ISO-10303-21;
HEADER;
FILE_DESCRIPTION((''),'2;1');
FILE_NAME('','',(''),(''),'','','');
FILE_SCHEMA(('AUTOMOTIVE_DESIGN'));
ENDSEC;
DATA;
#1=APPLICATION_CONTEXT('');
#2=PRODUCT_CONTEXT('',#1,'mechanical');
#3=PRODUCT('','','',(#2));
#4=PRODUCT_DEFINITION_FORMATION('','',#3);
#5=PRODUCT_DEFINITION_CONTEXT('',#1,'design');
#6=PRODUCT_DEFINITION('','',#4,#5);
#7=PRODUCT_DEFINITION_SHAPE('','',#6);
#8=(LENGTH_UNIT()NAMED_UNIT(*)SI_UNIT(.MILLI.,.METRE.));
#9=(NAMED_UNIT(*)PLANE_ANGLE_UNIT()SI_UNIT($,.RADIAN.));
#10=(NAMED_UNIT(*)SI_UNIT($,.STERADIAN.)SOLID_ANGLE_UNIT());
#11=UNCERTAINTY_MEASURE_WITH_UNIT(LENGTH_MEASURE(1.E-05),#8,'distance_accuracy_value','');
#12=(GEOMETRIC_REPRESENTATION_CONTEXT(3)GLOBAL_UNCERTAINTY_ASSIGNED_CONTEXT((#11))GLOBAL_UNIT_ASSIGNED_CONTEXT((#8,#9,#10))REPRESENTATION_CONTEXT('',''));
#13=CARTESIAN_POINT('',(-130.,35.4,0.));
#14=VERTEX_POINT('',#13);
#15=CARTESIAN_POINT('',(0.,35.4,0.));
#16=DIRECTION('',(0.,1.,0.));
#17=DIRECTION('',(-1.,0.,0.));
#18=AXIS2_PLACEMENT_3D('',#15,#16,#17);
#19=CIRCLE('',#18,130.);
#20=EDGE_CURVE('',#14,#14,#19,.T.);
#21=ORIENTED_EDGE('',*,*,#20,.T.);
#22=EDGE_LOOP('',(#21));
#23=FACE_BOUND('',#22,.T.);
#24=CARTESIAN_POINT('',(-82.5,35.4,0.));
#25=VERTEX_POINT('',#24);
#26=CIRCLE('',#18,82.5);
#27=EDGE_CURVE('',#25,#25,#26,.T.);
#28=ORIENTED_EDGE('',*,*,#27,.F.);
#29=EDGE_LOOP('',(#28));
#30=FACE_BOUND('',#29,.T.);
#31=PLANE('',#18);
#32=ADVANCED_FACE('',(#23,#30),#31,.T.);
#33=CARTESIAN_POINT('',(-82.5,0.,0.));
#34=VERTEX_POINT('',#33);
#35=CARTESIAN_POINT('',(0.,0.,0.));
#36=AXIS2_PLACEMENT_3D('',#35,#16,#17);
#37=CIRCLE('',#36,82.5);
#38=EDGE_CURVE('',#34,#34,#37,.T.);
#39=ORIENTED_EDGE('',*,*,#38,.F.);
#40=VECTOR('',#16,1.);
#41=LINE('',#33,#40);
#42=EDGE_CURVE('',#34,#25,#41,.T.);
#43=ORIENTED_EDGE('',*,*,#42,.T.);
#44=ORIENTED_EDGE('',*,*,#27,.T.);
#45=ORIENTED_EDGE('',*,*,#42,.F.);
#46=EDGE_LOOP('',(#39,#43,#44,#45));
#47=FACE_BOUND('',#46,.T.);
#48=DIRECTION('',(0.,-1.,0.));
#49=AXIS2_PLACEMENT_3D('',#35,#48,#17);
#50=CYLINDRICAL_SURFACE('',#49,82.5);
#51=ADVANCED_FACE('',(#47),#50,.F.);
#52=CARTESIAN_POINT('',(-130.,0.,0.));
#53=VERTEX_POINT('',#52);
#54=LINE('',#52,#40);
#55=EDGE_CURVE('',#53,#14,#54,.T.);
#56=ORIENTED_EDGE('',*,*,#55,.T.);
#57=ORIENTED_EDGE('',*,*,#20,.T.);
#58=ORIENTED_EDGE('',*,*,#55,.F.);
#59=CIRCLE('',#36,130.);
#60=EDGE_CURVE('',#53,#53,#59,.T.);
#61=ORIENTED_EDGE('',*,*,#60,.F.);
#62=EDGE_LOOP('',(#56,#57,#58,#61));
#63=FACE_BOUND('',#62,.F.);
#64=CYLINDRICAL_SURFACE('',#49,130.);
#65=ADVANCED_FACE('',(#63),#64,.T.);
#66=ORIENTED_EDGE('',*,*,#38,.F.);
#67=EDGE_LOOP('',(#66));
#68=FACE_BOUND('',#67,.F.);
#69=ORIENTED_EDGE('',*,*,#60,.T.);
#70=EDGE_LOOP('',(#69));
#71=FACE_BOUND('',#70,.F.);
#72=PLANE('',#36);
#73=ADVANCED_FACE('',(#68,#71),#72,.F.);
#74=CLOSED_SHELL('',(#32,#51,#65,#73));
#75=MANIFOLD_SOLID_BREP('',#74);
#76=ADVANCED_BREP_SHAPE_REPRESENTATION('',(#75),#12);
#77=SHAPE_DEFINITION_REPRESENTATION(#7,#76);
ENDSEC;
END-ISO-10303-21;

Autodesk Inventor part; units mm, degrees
ref_plane "YZ Plane" through (0, 0, 0) normal (1, 0, 0) x (0, 1, 0)
ref_plane "XZ Plane" through (0, 0, 0) normal (0, 1, 0) x (-1, 0, 0)
ref_plane "XY Plane" through (0, 0, 0) normal (0, 0, 1) x (1, 0, 0)
sketch "Boceto1" plane through (0, 0, 0) normal (0, 1, 0) x (-1, 0, 0)
  circle A0 centre (0, 0) radius 82.5
  circle A1 centre (0, 0) radius 130
  dimension "d0" = 165
  dimension "d1" = 260
extrude "Extrusión1" add sketch "Boceto1" along normal blind 35.4
properties part number "exterior_rodamiento"
